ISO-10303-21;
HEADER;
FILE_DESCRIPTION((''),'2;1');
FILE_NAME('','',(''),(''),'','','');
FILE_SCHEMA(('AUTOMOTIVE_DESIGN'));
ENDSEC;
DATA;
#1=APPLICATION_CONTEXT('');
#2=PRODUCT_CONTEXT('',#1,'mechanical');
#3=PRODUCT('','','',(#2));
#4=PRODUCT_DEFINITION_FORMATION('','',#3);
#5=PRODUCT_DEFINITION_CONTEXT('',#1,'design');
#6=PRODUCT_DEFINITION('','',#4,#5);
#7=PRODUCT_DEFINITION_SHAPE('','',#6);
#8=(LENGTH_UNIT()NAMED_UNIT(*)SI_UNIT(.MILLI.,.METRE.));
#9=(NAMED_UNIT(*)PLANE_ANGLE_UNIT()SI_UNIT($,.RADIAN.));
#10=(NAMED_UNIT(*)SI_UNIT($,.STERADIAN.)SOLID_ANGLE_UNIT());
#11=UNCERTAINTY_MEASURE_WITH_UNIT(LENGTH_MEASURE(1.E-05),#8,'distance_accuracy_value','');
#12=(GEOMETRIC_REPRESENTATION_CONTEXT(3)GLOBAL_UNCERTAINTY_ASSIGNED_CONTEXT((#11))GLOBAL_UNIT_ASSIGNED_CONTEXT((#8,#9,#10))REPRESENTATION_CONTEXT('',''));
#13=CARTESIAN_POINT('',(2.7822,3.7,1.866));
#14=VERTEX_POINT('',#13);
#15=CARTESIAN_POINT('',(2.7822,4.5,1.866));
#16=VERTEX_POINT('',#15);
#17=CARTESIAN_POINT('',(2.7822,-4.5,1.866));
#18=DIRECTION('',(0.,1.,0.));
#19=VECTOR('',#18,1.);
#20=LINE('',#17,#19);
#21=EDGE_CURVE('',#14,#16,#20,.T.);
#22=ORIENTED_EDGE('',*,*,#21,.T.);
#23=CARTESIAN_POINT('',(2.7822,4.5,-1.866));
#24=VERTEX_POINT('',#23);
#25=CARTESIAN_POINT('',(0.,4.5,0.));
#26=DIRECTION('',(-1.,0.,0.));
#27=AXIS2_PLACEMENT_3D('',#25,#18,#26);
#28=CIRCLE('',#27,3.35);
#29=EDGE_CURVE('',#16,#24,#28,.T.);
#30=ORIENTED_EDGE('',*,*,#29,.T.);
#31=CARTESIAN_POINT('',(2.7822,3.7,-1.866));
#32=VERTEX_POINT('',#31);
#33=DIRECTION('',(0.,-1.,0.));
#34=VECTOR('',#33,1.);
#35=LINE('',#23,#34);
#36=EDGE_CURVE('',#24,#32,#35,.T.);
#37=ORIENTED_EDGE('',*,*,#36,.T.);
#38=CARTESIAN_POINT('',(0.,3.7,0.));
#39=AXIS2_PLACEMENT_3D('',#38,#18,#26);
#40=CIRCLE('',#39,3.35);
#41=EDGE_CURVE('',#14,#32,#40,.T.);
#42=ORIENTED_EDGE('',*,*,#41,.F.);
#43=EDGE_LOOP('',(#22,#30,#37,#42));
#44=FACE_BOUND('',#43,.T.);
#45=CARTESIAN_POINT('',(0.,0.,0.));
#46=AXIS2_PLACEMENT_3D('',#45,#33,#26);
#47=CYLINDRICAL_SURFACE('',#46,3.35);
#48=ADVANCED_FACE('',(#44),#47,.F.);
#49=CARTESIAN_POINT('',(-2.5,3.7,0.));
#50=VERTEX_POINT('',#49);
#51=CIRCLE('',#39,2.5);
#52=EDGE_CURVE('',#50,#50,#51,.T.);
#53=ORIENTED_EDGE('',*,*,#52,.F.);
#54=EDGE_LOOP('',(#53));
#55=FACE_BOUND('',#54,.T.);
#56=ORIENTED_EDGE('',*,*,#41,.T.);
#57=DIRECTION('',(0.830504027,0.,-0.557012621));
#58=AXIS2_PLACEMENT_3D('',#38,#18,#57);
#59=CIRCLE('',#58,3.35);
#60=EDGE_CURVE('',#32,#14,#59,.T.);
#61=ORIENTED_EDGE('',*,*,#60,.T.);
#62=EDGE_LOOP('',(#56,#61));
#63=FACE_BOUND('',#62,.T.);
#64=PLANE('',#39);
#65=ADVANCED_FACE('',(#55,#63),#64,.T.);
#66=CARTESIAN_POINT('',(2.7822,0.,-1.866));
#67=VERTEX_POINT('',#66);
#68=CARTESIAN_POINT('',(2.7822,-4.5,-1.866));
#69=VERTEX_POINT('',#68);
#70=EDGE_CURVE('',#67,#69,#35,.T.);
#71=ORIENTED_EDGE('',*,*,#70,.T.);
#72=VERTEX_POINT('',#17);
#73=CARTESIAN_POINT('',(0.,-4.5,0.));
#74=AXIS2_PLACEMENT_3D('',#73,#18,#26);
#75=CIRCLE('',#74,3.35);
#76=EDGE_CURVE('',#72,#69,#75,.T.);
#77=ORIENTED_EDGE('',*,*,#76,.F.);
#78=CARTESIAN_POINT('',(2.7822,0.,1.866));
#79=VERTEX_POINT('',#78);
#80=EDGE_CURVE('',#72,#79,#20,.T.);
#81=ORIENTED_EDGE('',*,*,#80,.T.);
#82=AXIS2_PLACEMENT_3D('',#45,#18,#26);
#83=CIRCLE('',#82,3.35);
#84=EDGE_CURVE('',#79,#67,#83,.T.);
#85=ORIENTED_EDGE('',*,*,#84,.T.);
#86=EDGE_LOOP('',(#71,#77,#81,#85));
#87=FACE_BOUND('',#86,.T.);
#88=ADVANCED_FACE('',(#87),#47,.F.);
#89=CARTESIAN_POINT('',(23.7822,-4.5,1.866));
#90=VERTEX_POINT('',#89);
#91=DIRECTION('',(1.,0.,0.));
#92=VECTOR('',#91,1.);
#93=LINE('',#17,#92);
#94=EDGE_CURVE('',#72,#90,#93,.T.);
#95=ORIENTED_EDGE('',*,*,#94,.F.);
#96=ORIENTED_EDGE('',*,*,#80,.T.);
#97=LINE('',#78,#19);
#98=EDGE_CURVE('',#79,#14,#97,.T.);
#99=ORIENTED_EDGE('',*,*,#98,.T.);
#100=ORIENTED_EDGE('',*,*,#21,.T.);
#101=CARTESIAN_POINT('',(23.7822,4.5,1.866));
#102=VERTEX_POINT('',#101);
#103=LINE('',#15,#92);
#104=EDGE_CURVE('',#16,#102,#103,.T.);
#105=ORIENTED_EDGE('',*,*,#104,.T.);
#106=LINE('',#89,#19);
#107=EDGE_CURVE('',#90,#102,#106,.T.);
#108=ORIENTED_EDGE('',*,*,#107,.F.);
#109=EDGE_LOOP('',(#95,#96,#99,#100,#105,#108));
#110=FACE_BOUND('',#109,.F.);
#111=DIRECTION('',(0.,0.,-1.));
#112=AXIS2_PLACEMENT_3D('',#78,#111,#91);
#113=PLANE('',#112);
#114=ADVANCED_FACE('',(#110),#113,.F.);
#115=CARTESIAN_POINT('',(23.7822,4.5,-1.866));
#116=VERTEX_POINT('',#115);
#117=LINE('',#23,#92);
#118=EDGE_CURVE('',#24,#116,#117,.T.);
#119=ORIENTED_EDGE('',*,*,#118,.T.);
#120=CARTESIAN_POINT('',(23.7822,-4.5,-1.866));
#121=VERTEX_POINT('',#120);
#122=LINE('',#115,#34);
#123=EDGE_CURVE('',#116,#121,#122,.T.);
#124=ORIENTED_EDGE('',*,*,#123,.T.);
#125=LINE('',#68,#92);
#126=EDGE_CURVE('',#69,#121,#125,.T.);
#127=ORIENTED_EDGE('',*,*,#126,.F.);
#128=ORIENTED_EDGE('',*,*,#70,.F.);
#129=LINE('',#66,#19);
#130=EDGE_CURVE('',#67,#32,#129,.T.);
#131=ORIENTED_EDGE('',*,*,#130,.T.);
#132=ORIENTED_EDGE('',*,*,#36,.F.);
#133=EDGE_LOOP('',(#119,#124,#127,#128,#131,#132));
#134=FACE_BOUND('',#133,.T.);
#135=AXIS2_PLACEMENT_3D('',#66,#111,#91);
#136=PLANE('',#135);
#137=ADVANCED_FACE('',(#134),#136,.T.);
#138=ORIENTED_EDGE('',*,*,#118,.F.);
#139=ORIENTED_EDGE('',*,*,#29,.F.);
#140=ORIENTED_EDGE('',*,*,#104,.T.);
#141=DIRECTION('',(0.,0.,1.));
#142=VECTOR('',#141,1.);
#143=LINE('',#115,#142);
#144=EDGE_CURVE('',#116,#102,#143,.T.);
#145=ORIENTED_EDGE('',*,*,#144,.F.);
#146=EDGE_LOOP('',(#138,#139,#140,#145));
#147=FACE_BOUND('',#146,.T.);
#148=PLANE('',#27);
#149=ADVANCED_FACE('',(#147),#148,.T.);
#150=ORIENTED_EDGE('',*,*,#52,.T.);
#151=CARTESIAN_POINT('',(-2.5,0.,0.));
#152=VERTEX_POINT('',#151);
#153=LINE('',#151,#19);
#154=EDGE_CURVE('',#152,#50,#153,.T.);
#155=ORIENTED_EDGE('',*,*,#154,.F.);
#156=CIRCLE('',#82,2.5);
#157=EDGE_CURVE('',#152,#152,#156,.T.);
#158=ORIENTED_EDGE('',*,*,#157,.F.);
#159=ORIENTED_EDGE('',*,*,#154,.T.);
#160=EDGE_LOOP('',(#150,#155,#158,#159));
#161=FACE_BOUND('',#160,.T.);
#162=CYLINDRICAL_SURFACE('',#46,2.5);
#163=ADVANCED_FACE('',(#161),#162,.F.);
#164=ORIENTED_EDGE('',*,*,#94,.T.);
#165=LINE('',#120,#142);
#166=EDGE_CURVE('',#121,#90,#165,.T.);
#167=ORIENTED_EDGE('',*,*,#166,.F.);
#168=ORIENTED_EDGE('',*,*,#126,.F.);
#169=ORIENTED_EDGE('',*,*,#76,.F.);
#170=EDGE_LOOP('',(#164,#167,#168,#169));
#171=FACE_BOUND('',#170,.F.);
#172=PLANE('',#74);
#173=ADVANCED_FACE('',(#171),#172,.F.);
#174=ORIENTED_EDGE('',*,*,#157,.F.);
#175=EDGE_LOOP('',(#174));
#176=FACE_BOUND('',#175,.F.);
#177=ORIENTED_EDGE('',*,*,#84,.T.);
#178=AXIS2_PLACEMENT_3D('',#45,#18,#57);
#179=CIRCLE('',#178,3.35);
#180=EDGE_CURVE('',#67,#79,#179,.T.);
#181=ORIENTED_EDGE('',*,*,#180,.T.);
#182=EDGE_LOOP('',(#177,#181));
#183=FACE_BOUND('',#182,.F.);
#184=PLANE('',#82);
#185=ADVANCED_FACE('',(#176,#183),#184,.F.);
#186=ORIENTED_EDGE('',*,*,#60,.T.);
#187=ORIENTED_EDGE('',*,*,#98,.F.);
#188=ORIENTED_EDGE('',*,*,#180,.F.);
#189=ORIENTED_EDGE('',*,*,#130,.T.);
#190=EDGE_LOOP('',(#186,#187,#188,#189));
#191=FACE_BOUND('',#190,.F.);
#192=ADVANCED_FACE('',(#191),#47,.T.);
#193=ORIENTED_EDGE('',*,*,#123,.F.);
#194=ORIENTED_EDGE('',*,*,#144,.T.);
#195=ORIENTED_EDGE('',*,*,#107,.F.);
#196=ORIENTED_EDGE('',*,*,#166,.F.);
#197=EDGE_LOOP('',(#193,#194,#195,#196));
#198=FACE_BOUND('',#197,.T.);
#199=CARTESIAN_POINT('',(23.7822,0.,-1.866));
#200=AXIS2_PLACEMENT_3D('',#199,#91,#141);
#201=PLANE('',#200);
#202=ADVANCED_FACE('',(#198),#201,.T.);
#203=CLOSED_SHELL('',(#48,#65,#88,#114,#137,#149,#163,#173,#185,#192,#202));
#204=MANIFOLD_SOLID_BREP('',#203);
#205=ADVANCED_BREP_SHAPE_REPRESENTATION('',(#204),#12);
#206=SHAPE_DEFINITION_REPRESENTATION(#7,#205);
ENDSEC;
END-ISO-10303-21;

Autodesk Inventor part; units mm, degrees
ref_plane "YZ Plane" through (0, 0, 0) normal (1, 0, 0) x (0, 1, 0)
ref_plane "XZ Plane" through (0, 0, 0) normal (0, 1, 0) x (-1, 0, 0)
ref_plane "XY Plane" through (0, 0, 0) normal (0, 0, 1) x (1, 0, 0)
sketch "Sketch1" plane through (0, 0, 0) normal (0, 1, 0) x (-1, 0, 0)
  circle A0 centre (0, 0) radius 2.5
  circle A1 centre (0, 0) radius 3.35
  line L0 (-3.35, 0) -> (-15.85, 0) construction
  line L1 (-2.7822, 1.866) -> (-23.7822, 1.866)
  line L2 (-2.7822, -1.866) -> (-23.7822, -1.866)
  line L3 (-23.7822, -1.866) -> (-23.7822, 1.866)
  point P0 (0.2218, 3.3427)
  point P1 (0.2218, -3.3427)
  dimension "d0" = 5
  dimension "d1" = 6.7
  dimension "d2" = 12.5
  dimension "d12" = 21
extrude "Extrusion1" add sketch "Sketch1" along normal blind 3.7 contours A1
extrude "Extrusion3" add sketch "Sketch1" along normal mid plane 9 contours A1 L2 L3 L1
